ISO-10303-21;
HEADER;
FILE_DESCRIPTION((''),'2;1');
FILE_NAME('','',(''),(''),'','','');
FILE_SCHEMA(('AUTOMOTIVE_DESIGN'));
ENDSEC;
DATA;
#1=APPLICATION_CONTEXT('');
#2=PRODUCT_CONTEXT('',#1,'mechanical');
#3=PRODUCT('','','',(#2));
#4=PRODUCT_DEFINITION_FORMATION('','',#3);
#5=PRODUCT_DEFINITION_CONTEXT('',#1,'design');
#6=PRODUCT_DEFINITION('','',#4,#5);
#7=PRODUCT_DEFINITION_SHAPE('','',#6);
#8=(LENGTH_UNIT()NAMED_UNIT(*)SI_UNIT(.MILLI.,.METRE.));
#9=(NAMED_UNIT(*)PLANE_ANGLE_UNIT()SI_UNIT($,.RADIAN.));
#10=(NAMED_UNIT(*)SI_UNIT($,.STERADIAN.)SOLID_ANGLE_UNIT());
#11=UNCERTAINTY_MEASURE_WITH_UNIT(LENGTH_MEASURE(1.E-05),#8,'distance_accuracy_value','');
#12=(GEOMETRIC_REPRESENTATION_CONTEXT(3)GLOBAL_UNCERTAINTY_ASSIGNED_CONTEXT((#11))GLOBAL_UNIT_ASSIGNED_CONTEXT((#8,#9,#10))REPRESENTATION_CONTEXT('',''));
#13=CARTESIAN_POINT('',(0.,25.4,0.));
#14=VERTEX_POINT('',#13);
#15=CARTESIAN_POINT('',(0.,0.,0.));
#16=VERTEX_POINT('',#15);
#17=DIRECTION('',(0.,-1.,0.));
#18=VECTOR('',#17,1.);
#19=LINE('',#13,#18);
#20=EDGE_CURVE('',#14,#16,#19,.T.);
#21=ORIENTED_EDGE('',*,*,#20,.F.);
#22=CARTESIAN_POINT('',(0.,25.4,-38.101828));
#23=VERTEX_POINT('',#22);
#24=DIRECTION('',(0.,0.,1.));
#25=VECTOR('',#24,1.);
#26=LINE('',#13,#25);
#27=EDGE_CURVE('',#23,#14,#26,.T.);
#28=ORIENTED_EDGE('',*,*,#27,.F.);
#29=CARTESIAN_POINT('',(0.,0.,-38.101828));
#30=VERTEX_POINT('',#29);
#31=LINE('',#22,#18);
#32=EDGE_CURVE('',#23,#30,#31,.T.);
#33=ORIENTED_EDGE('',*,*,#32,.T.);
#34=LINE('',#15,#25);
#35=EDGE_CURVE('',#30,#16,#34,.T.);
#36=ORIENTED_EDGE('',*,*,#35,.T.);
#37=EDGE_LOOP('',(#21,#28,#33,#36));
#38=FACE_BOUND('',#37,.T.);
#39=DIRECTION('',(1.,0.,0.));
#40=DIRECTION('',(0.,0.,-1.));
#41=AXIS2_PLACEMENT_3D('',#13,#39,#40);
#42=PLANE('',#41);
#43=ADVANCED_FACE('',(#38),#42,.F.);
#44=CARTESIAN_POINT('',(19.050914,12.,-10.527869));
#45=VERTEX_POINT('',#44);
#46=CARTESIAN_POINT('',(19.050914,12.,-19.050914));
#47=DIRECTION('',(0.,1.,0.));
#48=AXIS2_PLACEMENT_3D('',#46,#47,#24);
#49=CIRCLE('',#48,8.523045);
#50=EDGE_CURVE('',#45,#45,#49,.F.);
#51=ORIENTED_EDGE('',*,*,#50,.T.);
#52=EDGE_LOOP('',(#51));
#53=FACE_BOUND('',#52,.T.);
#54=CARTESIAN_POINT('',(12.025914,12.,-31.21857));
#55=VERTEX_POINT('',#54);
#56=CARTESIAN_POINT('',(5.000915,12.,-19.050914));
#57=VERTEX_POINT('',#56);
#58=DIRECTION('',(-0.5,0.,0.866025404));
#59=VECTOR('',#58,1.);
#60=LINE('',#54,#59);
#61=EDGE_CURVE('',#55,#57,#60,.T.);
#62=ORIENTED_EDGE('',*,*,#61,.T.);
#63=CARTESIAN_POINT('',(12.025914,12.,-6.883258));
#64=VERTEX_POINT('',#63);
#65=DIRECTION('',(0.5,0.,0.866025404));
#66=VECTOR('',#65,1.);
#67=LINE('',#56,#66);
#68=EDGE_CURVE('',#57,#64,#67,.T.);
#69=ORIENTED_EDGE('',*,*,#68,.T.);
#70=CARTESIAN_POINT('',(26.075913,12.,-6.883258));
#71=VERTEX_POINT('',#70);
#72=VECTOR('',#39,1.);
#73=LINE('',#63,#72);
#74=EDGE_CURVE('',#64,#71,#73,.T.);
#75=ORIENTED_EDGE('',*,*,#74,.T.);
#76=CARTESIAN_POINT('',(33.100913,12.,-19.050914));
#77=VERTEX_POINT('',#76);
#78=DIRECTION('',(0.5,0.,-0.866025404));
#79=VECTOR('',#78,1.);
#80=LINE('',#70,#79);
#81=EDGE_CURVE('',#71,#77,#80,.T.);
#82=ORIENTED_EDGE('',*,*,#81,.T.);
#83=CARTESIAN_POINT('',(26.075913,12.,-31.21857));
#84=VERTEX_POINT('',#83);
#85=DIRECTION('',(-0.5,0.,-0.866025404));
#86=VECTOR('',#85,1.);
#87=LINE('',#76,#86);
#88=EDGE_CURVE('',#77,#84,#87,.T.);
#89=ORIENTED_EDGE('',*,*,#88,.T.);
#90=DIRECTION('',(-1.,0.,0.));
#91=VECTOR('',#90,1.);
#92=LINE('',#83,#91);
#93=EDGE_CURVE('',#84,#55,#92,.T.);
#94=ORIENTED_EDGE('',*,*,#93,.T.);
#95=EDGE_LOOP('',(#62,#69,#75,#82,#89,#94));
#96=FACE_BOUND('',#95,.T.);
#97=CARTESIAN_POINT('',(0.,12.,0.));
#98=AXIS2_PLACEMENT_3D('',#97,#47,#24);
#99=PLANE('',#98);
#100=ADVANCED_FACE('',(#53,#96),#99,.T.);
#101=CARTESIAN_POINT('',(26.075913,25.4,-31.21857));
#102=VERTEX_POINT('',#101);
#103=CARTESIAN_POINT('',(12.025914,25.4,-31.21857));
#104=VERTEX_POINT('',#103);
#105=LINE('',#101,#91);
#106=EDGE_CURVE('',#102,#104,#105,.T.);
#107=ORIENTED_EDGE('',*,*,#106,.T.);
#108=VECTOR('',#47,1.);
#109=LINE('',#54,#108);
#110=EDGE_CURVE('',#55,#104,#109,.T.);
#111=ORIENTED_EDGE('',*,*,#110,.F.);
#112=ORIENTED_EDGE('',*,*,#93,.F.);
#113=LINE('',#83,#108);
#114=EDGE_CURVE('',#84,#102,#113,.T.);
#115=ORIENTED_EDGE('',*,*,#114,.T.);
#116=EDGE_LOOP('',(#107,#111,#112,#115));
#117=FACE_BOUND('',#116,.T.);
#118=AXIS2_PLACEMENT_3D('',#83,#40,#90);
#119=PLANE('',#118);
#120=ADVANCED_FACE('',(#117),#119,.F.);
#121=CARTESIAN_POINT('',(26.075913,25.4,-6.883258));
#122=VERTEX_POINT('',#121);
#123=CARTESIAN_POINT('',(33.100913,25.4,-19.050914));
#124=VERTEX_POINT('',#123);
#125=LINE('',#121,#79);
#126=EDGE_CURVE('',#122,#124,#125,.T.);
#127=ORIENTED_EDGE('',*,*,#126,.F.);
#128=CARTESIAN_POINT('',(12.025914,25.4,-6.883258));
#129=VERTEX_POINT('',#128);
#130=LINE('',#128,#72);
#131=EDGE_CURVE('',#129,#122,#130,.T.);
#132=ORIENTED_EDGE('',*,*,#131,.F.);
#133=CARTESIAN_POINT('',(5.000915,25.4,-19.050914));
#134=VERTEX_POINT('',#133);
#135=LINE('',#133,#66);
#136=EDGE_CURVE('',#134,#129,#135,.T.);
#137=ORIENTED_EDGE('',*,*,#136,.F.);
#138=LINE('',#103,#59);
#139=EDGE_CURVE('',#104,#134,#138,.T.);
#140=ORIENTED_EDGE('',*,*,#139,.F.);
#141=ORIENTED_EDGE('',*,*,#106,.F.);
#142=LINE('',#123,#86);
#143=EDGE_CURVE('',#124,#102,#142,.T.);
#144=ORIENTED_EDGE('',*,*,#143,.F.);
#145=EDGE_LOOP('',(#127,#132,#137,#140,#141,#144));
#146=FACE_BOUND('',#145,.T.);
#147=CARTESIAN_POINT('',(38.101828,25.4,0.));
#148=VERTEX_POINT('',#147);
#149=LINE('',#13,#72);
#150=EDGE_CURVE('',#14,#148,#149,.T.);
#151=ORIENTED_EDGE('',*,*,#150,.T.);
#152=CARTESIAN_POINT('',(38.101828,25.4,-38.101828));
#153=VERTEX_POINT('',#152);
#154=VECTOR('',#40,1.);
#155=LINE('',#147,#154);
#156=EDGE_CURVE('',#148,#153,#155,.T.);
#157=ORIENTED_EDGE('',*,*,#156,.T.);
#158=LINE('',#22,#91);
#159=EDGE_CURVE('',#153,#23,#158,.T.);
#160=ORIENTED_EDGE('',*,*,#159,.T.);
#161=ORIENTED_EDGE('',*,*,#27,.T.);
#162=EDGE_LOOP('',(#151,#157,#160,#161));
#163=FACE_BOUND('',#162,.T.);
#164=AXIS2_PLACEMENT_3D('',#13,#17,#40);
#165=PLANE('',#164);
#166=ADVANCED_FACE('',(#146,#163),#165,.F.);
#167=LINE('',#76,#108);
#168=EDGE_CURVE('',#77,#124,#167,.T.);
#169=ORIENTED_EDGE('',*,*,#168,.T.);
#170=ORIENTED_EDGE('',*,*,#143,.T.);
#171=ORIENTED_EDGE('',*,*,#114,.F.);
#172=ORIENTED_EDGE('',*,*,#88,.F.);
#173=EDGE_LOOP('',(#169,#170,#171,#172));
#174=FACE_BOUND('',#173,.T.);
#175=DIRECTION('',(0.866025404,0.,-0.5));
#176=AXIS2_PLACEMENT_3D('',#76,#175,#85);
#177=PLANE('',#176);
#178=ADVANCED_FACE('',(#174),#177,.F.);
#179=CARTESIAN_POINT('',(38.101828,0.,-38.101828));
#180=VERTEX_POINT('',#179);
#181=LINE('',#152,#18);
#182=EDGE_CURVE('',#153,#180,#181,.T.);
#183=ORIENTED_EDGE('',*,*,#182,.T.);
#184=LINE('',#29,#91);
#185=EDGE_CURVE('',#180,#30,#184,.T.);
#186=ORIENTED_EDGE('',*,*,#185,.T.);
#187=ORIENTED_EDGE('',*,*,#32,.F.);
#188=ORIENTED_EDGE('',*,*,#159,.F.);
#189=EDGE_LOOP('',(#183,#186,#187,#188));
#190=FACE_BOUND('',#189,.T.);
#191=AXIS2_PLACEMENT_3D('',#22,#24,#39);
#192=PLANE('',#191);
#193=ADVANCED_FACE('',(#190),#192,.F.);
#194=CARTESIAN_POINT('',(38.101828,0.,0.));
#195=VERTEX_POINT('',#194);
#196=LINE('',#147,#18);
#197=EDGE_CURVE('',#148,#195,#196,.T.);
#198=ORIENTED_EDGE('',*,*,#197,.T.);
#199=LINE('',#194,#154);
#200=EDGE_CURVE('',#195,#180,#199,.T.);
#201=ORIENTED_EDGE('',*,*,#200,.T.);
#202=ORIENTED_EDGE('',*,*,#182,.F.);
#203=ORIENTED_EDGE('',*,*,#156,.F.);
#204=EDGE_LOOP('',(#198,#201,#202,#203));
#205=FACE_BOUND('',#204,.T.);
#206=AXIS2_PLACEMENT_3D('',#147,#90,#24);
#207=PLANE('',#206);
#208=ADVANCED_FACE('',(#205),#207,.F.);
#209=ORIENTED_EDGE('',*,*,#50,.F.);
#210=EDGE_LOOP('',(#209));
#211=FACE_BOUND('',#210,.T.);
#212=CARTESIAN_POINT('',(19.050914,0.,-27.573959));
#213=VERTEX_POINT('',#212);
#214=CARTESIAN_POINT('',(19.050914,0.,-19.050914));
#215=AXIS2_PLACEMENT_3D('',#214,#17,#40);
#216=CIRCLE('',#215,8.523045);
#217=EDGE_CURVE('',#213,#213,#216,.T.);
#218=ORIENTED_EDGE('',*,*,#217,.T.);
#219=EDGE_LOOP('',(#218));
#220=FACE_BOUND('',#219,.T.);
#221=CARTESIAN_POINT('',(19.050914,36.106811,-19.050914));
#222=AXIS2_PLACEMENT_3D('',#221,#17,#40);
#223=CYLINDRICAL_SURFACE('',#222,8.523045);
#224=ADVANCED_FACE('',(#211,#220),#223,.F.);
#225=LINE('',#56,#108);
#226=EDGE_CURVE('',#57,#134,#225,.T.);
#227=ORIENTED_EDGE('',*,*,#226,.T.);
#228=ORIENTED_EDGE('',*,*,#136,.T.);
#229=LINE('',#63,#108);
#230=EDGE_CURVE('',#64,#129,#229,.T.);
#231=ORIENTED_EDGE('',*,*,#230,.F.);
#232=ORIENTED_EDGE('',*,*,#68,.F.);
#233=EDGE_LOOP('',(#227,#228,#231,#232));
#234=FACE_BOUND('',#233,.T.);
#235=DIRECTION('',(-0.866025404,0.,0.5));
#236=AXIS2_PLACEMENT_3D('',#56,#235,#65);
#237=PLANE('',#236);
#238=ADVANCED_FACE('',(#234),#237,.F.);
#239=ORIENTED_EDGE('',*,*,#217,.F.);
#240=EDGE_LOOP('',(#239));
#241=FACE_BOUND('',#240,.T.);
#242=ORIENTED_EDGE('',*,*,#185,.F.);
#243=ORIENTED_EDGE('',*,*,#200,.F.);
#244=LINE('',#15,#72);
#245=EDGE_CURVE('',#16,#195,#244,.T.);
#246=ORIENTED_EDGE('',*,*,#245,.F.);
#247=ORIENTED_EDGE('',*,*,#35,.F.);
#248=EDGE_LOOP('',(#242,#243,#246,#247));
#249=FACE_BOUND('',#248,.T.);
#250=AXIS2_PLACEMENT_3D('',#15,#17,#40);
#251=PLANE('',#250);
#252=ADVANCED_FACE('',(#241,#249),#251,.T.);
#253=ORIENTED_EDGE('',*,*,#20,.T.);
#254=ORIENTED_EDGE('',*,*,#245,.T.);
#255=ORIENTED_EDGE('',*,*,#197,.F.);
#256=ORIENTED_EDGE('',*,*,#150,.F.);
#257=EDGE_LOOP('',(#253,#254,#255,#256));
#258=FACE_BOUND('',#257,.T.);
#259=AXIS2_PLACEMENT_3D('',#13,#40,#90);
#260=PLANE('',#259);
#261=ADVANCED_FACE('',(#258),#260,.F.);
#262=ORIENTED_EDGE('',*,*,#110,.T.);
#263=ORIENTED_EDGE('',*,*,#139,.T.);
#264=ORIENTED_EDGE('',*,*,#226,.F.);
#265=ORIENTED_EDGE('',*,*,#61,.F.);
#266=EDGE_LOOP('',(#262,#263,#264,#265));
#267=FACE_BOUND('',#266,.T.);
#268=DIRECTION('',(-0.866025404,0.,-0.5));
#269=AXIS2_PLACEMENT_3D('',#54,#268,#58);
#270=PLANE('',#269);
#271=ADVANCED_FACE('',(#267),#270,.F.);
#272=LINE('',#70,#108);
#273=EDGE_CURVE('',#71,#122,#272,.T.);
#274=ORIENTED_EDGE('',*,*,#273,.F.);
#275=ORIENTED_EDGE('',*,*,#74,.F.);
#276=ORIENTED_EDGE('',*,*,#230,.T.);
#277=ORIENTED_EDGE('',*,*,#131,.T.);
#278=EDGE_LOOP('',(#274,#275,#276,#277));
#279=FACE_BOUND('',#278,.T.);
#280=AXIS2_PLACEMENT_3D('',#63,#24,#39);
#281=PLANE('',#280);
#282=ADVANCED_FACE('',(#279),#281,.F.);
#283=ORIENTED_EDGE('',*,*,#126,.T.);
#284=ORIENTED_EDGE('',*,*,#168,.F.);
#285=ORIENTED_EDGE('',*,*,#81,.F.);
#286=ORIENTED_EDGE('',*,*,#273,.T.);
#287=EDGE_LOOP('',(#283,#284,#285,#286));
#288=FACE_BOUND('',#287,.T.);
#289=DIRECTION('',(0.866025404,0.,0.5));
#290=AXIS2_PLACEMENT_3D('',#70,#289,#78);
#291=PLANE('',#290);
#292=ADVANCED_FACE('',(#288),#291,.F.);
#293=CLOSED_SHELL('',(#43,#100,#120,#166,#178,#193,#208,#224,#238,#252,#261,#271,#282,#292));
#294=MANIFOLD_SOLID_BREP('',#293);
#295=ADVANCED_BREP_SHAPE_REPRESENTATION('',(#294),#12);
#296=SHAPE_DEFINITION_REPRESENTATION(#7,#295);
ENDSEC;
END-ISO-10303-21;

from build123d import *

# Parameters (mm, degrees)
SKETCH1_W           = 38.101827682
SKETCH1_H           = 38.101827682
BOSS_EXTRUDE1_DEPTH = 25.4
CUT_EXTRUDE1_DEPTH  = 13.4
SKETCH4_R           = 8.523044684
CUT_EXTRUDE2_DEPTH  = 12


with BuildPart() as part:
    # Sketch1 → Boss-Extrude1 (new body)
    with BuildSketch(Plane(origin=(0, 0, 0), x_dir=(1, 0, 0), z_dir=(0, 1, 0))):
        with Locations((19.050913841, 19.050913841)):
            Rectangle(SKETCH1_W, SKETCH1_H)
    extrude(amount=BOSS_EXTRUDE1_DEPTH)

    # Sketch2 → Cut-Extrude1 (cut)
    with BuildSketch(Plane(origin=(0, 25.4, 0), x_dir=(1, 0, 0), z_dir=(0, 1, 0))):
        Polygon((33.100912857, 19.050913841), (26.075913349, 31.218569912), (12.025914333, 31.218569912), (5.000914826, 19.050913841), (12.025914333, 6.883257771), (26.075913349, 6.883257771), align=None)
    extrude(amount=-CUT_EXTRUDE1_DEPTH, mode=Mode.SUBTRACT)

    # Sketch4 → Cut-Extrude2 (cut)
    with BuildSketch(Plane.XZ):
        with Locations((19.050913841, -19.050913841)):
            Circle(SKETCH4_R)
    extrude(amount=-CUT_EXTRUDE2_DEPTH, mode=Mode.SUBTRACT)


solid = part.part
